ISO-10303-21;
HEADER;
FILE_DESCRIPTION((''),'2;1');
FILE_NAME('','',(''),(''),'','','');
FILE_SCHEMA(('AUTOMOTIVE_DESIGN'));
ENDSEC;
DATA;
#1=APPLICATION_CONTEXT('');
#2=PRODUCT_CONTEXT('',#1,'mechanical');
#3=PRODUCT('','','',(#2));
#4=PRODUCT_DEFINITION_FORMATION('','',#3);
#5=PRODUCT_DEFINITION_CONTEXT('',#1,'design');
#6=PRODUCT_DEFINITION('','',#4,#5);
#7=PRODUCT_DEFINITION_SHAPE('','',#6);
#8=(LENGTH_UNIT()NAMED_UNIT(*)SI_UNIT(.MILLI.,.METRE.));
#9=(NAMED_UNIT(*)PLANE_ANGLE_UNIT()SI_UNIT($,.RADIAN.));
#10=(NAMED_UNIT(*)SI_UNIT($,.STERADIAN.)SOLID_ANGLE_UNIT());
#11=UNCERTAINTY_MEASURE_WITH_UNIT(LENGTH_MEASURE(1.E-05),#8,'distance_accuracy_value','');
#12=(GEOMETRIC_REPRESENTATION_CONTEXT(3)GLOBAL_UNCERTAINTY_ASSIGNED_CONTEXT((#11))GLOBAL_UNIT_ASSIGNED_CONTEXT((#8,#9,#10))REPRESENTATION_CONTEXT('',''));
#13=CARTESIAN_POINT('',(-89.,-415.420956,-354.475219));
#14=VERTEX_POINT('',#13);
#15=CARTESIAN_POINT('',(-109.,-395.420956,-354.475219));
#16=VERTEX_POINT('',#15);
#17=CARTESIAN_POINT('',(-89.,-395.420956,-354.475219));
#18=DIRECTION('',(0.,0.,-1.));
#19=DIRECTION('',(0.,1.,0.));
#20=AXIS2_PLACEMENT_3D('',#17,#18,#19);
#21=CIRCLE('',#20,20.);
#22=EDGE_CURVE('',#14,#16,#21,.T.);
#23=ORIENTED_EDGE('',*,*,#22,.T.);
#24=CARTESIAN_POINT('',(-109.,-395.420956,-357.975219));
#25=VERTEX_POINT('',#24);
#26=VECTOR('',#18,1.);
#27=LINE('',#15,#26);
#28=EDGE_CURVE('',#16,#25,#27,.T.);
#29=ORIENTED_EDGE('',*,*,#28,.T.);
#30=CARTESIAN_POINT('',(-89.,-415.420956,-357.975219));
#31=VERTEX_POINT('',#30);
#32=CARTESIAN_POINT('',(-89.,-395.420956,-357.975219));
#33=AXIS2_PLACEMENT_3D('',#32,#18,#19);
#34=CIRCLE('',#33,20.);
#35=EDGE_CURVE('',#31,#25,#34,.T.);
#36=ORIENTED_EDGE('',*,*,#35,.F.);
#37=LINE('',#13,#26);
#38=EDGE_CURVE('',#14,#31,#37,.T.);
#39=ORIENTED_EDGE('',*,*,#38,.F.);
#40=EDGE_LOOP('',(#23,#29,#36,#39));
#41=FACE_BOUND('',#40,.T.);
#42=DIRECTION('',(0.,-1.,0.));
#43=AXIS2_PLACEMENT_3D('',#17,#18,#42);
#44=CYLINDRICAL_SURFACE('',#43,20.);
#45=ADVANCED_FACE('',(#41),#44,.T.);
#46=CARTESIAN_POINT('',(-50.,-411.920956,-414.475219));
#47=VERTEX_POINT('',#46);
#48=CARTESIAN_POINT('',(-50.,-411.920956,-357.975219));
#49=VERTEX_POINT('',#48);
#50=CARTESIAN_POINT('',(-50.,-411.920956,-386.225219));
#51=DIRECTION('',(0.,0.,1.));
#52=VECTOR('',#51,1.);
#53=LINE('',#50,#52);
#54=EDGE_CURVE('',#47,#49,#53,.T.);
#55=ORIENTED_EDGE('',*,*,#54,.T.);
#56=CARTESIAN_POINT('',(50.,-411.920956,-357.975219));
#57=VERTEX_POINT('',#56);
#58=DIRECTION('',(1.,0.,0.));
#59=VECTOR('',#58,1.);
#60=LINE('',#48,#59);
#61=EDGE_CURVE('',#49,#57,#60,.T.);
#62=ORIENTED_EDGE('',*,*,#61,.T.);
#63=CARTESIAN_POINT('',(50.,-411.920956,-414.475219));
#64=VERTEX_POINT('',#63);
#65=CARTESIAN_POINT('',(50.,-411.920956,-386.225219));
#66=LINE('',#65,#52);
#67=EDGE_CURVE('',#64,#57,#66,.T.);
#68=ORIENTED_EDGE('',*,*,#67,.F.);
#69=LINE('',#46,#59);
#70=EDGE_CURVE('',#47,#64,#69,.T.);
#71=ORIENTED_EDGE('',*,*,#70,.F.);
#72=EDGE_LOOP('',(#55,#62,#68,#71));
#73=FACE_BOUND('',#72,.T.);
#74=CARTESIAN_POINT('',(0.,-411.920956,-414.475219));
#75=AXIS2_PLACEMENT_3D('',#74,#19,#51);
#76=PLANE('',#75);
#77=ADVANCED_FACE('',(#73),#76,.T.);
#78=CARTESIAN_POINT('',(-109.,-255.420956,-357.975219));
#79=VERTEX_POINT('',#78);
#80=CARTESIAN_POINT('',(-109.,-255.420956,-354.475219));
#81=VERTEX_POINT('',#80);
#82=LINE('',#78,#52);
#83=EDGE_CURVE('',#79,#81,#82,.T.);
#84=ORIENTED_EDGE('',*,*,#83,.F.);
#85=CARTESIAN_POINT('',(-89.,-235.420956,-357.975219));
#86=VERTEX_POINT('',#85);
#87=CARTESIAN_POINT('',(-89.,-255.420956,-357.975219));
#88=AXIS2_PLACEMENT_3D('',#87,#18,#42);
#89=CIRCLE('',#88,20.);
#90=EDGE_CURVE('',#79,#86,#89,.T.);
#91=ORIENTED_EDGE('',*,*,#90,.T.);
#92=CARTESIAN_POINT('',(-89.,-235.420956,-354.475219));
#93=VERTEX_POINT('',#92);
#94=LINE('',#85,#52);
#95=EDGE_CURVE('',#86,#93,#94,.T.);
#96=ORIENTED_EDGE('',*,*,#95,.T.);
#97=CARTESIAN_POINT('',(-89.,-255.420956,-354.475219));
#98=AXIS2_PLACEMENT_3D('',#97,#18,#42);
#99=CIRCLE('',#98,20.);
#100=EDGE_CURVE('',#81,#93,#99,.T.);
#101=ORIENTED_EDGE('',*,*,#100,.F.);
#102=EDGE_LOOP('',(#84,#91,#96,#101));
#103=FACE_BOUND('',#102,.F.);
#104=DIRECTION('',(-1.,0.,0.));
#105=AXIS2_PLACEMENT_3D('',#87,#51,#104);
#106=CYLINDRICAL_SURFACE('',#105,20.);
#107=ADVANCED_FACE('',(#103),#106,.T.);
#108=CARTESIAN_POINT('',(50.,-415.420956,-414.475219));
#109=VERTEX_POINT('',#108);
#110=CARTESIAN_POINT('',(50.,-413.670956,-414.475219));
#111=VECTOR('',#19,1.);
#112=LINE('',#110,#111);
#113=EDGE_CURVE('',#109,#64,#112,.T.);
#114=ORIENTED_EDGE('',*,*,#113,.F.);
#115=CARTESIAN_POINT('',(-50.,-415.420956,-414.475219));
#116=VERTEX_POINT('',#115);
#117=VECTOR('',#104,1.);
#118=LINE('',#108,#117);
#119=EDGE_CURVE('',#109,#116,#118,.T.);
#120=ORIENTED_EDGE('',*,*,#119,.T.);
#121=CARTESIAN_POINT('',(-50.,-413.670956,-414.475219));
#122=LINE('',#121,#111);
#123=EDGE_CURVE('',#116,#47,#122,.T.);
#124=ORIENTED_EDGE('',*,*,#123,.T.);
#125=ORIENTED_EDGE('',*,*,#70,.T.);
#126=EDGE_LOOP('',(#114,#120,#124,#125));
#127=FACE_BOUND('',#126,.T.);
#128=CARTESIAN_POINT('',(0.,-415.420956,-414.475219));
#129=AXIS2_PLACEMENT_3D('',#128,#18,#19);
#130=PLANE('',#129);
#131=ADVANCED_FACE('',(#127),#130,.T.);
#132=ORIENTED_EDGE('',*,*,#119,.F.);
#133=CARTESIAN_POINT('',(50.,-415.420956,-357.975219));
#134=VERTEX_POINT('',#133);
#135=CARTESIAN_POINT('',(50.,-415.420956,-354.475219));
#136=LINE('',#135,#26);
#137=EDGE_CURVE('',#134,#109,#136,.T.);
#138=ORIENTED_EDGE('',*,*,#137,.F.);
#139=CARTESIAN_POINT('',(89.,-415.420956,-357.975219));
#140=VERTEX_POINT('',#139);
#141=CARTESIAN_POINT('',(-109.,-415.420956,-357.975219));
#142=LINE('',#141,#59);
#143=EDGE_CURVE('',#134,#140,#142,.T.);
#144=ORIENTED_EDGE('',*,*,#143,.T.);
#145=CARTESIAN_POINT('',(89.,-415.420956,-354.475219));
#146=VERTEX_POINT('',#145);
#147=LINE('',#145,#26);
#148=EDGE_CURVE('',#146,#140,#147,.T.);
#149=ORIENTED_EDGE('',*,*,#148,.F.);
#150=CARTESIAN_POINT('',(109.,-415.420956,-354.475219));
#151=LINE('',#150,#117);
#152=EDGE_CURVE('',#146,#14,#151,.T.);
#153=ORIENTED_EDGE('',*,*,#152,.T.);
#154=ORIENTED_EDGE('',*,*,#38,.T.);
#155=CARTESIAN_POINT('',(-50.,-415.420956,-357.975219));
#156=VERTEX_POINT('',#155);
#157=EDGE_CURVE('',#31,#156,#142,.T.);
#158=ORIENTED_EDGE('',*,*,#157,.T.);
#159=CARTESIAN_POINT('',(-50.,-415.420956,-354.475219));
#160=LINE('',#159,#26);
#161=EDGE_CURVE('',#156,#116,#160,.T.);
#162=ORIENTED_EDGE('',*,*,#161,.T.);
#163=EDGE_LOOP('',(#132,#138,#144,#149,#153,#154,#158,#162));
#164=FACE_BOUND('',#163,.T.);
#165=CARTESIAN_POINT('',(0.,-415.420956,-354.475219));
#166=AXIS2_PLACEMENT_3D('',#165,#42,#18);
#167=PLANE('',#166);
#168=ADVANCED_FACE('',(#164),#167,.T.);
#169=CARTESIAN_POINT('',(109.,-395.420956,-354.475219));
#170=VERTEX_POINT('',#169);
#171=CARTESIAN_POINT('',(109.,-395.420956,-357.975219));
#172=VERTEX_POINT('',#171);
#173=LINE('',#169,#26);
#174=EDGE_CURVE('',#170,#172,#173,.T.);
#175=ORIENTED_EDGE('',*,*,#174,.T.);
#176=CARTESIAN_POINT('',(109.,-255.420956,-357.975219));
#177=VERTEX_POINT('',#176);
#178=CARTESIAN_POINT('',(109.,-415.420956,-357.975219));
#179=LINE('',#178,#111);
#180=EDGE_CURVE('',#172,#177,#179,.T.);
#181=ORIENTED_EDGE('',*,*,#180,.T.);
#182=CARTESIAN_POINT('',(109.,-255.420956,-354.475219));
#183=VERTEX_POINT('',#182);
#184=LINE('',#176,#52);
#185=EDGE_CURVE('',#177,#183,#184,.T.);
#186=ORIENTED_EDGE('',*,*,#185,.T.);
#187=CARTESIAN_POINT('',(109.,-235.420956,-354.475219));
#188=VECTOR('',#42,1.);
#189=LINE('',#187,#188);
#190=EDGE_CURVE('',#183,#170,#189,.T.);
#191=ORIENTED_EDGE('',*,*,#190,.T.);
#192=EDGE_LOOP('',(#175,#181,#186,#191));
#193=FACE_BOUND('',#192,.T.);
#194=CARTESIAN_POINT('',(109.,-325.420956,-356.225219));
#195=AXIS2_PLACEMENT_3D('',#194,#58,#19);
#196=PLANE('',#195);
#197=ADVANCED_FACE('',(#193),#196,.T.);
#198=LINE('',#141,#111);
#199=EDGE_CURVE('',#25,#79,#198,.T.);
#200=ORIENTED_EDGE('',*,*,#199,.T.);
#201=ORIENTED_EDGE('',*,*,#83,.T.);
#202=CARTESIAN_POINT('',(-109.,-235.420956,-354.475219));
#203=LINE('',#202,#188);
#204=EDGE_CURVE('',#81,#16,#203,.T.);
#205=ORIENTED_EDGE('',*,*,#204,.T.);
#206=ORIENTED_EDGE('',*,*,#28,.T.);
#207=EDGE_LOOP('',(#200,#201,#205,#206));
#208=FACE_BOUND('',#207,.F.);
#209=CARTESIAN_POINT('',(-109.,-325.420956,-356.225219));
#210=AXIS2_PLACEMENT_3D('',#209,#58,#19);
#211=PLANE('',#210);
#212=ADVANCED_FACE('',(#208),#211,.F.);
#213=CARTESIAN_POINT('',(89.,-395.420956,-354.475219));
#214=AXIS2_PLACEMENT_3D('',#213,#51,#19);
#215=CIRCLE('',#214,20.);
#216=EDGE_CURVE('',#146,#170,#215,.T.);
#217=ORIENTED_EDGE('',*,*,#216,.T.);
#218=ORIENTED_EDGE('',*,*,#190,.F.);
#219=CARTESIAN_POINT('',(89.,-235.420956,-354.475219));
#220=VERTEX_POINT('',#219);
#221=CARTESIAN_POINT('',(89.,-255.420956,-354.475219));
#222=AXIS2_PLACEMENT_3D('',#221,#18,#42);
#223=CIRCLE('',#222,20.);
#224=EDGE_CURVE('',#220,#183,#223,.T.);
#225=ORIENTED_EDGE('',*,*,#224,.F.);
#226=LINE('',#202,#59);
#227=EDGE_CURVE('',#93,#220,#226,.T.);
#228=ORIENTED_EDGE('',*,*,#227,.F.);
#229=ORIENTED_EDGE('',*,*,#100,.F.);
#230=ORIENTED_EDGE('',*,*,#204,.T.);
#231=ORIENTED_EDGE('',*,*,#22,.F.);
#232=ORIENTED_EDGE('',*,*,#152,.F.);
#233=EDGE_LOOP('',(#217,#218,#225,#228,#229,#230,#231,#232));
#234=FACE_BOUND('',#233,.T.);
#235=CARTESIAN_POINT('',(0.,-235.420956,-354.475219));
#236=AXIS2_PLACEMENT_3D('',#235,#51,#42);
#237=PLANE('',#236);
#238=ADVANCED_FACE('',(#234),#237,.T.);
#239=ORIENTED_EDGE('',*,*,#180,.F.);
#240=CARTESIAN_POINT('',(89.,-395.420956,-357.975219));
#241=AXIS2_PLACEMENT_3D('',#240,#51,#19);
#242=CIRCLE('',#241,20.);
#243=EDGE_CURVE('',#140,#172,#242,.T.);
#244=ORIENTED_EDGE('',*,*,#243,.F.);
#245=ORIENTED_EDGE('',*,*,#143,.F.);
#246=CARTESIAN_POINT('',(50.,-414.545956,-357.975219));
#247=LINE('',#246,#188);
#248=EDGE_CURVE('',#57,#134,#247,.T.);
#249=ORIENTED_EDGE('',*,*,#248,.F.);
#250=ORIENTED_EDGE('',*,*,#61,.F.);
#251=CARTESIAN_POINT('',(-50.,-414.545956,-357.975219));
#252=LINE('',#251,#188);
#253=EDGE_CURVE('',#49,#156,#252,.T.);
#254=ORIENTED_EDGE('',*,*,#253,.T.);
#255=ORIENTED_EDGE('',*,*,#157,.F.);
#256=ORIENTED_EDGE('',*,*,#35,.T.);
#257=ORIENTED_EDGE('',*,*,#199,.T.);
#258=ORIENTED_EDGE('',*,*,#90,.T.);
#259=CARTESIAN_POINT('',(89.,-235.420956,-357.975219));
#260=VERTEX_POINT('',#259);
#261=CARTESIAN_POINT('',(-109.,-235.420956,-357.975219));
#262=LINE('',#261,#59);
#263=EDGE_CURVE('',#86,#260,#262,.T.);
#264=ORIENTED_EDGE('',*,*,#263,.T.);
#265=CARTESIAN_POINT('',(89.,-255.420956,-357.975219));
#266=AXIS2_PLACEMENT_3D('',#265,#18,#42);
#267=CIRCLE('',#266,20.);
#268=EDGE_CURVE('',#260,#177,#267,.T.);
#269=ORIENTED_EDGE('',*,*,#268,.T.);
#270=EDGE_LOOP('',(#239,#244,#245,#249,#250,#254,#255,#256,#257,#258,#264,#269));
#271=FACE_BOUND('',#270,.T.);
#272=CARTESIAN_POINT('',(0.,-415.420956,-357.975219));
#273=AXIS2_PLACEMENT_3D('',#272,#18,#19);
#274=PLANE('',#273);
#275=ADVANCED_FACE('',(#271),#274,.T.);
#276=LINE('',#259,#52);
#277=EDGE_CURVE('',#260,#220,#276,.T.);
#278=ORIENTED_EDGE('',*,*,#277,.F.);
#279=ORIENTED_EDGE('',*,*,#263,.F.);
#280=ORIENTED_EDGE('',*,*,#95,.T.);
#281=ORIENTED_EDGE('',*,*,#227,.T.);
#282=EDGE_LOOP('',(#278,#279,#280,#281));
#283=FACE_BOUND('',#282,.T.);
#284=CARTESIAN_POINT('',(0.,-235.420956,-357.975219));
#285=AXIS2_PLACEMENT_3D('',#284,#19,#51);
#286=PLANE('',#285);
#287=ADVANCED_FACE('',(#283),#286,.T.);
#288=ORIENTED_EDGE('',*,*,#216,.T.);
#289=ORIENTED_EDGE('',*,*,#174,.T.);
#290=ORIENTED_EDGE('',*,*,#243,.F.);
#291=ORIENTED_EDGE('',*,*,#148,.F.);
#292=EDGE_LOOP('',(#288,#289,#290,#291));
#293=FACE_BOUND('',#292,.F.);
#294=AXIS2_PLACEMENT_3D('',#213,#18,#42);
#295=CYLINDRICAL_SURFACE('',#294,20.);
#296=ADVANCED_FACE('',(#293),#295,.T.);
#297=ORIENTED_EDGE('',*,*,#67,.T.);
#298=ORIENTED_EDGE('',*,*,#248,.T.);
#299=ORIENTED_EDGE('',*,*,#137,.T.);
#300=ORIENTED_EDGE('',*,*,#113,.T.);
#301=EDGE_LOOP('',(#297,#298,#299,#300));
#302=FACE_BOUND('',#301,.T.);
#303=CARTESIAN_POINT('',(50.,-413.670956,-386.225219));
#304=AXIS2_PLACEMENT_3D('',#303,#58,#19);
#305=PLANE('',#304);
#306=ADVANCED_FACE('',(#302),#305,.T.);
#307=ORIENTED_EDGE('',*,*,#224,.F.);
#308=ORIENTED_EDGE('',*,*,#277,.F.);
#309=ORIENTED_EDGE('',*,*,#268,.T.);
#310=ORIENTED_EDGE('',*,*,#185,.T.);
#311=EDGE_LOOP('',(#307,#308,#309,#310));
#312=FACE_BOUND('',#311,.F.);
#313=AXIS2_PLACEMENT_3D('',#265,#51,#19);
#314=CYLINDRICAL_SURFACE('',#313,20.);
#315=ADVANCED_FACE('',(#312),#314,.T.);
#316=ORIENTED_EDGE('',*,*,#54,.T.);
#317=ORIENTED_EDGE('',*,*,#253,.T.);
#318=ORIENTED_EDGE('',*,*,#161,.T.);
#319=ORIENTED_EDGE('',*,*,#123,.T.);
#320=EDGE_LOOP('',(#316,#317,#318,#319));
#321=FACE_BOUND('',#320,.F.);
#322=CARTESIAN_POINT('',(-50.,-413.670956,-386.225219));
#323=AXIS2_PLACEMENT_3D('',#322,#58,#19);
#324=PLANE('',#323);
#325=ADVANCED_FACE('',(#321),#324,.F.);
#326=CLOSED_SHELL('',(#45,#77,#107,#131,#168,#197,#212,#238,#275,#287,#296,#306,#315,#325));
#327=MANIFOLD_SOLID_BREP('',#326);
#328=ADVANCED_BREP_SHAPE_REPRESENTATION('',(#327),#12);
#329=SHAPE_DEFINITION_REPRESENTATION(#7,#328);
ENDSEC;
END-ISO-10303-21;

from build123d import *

# Parameters (mm, degrees)
F1_DEPTH = 109
F0_W     = 3.5
F0_H     = 56.5
F2_DEPTH = 50
F3_R     = 20


with BuildPart() as f1:
    # F0 (on Right) → F1 (new body, symmetric)
    with BuildSketch(Plane.YZ):
        Polygon((-415.420956, -354.475219), (-415.420956, -357.975219), (-411.920956, -357.975219), (-235.420956, -357.975219), (-235.420956, -354.475219), align=None)
    extrude(amount=F1_DEPTH, both=True)

    # F0 (on Right) → F2 (join, symmetric)
    with BuildSketch(Plane.YZ):
        with Locations((-413.670956, -386.225219)):
            Rectangle(F0_W, F0_H)
        Polygon((-415.420956, -354.475219), (-415.420956, -357.975219), (-411.920956, -357.975219), (-235.420956, -357.975219), (-235.420956, -354.475219), align=None)
    extrude(amount=F2_DEPTH, both=True)

    # F3
    f3_edges = [f1.edges().sort_by_distance(p)[0] for p in [
        (109, -235.420956, -356.225219),
        (-109, -235.420956, -356.225219),
        (-109, -415.420956, -356.225219),
        (109, -415.420956, -356.225219),
    ]]
    fillet(f3_edges, radius=F3_R)


solid = f1.part
